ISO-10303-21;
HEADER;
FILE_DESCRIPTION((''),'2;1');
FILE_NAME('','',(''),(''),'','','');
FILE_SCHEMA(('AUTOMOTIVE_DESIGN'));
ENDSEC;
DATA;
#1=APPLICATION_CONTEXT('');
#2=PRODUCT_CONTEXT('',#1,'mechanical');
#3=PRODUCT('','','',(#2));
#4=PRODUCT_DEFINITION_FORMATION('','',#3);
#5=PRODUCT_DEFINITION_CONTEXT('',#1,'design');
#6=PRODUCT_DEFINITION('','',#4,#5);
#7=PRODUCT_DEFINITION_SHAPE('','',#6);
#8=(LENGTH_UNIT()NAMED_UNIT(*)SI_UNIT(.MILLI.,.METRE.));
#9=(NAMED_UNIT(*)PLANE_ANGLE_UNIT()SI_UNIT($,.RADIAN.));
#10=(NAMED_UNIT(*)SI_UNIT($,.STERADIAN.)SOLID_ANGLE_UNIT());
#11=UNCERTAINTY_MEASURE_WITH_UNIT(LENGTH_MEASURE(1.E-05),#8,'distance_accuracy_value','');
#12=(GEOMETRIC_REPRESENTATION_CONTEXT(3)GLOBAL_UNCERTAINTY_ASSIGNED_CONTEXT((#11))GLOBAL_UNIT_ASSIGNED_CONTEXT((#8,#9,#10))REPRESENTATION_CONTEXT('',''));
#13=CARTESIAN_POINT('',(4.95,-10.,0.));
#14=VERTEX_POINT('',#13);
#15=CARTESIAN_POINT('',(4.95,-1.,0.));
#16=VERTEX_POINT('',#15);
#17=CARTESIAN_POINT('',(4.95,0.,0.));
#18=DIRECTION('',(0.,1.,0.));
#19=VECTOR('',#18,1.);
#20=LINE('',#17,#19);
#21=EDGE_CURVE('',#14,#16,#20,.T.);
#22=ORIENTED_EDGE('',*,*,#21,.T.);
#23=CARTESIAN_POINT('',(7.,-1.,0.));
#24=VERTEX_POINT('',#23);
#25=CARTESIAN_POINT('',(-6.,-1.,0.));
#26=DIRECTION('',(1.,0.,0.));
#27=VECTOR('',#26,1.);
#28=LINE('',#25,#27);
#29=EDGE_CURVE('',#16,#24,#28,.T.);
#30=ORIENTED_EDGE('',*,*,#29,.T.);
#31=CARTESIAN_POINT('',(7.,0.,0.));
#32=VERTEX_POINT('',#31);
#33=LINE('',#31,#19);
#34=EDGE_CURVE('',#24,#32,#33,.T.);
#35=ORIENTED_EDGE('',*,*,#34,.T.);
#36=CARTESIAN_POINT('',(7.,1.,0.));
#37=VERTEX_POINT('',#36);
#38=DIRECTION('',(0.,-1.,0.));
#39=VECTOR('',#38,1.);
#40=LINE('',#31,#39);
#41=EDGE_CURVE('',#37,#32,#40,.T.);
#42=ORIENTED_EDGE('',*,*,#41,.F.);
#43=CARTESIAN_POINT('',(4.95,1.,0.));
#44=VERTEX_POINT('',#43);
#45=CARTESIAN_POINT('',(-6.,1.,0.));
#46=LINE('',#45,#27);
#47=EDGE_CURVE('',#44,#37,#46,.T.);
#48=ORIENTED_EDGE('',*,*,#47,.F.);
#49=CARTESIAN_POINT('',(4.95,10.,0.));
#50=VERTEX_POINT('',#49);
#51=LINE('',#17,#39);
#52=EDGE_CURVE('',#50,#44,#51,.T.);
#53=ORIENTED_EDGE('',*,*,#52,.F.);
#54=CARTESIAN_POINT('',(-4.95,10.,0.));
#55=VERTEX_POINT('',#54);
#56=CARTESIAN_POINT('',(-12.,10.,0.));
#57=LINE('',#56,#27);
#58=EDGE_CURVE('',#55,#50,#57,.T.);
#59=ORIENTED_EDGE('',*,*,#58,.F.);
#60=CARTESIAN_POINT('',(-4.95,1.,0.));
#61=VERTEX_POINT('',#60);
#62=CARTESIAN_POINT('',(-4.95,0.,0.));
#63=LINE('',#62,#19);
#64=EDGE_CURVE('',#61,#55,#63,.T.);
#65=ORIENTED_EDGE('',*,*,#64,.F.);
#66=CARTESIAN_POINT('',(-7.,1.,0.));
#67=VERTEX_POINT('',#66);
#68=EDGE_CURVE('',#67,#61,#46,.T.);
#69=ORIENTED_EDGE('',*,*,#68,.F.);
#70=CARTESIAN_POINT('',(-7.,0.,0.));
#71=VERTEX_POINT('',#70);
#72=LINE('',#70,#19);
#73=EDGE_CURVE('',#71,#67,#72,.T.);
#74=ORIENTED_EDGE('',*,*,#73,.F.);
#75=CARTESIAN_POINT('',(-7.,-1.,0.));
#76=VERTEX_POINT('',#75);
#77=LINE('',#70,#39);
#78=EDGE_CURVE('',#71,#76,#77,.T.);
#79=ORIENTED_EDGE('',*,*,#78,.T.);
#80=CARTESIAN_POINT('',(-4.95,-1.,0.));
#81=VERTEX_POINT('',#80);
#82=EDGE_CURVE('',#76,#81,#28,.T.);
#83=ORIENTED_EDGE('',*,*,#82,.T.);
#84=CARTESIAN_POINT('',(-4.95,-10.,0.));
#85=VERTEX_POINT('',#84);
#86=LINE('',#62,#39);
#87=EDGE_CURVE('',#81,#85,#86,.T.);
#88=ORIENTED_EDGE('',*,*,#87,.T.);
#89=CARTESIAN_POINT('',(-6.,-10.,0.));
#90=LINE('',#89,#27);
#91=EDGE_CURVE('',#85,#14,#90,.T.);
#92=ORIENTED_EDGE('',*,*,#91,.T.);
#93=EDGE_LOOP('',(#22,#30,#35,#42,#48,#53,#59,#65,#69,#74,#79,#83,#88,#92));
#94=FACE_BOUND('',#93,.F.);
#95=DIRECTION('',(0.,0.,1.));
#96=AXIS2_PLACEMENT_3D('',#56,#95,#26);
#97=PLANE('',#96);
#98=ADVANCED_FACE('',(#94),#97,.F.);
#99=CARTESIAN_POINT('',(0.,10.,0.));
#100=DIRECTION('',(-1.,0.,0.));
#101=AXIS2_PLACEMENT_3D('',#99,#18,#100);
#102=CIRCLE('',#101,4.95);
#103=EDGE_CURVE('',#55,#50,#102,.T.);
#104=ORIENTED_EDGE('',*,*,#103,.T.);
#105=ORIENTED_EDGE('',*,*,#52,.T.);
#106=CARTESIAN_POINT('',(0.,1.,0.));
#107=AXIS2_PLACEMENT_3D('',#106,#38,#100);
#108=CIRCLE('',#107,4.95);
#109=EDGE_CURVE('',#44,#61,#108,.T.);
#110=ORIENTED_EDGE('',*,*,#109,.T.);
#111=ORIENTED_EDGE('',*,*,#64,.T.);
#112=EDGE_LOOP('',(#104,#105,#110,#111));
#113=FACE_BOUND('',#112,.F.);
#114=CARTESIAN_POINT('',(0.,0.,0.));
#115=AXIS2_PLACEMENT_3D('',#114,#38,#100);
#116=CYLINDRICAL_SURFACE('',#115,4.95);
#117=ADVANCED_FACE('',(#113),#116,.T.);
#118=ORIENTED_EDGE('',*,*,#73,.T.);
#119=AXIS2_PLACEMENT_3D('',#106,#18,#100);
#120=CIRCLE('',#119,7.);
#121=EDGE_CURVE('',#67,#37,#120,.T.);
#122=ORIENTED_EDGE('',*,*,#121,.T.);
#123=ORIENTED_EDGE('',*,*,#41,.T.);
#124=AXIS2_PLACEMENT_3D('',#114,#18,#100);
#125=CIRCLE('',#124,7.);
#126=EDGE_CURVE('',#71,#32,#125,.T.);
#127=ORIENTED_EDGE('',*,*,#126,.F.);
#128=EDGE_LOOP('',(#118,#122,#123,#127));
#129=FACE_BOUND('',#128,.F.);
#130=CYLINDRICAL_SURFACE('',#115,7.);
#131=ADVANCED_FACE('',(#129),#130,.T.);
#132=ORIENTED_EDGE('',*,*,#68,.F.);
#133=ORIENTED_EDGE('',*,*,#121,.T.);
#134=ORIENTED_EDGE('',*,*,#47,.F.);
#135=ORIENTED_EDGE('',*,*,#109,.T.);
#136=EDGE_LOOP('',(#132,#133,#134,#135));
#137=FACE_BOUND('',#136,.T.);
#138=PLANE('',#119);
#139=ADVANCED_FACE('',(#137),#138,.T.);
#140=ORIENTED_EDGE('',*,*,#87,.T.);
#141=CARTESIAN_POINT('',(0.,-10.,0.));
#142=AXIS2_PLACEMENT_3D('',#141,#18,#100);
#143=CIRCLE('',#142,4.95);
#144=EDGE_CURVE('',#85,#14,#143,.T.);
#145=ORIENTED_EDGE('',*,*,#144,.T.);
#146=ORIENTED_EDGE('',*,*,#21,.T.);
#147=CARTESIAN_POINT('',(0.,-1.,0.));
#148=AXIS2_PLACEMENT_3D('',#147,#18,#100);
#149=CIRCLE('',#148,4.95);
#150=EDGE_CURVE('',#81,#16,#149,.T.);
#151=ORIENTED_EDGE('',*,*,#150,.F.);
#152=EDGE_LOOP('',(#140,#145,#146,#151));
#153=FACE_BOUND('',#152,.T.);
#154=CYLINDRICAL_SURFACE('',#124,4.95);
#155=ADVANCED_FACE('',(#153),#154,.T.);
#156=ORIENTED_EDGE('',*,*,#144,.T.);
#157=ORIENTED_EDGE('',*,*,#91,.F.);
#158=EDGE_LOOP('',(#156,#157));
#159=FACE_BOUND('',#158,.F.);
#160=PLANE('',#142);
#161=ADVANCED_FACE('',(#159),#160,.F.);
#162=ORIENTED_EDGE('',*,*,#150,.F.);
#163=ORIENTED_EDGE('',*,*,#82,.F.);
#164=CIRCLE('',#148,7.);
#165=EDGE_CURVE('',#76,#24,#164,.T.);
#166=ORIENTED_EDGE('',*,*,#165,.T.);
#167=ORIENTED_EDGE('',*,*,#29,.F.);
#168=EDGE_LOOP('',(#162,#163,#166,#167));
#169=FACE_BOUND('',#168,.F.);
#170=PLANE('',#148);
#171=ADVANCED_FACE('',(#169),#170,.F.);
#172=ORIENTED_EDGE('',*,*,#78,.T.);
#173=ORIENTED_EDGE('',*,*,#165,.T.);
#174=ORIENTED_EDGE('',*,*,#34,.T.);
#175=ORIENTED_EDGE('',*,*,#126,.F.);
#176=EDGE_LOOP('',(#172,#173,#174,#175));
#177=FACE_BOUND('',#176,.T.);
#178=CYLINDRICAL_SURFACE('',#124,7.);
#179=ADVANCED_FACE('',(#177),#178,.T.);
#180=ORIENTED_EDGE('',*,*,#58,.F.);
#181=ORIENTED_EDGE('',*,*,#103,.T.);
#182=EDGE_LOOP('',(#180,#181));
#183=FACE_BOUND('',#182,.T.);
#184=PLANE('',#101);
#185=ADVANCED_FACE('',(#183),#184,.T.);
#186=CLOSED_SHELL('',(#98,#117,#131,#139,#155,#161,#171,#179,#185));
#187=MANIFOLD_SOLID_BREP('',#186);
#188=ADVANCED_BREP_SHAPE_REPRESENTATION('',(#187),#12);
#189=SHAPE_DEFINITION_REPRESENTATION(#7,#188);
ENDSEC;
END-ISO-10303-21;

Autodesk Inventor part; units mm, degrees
ref_plane "YZ Plane" through (0, 0, 0) normal (1, 0, 0) x (0, 1, 0)
ref_plane "XZ Plane" through (0, 0, 0) normal (0, 1, 0) x (-1, 0, 0)
ref_plane "XY Plane" through (0, 0, 0) normal (0, 0, 1) x (1, 0, 0)
sketch "Sketch1" plane through (0, 0, 0) normal (0, 1, 0) x (-1, 0, 0)
  circle A0 centre (0, 0) radius 4.95
  dimension "d0" = 9.9
extrude "Extrusion1" add sketch "Sketch1" along normal mid plane 20
sketch "Sketch2" plane through (0, 0, 0) normal (0, 1, 0) x (-1, 0, 0)
  circle A0 centre (0, 0) radius 7
  dimension "d3" = 14
extrude "Extrusion2" add sketch "Sketch2" along normal mid plane 2
sketch "Sketch3" plane through (0, 10, 0) normal (0, 1, 0) x (1, 0, 0)
  line L0 (-12, 0) -> (13, 0)
  line L1 (13, 0) -> (13, 11)
  line L2 (13, 11) -> (-12, 11)
  line L3 (-12, 11) -> (-12, 0)
  point P0 (0, 0)
extrude "Extrusion3" cut sketch "Sketch3" against normal blind 28
properties part number "wall_pin"
